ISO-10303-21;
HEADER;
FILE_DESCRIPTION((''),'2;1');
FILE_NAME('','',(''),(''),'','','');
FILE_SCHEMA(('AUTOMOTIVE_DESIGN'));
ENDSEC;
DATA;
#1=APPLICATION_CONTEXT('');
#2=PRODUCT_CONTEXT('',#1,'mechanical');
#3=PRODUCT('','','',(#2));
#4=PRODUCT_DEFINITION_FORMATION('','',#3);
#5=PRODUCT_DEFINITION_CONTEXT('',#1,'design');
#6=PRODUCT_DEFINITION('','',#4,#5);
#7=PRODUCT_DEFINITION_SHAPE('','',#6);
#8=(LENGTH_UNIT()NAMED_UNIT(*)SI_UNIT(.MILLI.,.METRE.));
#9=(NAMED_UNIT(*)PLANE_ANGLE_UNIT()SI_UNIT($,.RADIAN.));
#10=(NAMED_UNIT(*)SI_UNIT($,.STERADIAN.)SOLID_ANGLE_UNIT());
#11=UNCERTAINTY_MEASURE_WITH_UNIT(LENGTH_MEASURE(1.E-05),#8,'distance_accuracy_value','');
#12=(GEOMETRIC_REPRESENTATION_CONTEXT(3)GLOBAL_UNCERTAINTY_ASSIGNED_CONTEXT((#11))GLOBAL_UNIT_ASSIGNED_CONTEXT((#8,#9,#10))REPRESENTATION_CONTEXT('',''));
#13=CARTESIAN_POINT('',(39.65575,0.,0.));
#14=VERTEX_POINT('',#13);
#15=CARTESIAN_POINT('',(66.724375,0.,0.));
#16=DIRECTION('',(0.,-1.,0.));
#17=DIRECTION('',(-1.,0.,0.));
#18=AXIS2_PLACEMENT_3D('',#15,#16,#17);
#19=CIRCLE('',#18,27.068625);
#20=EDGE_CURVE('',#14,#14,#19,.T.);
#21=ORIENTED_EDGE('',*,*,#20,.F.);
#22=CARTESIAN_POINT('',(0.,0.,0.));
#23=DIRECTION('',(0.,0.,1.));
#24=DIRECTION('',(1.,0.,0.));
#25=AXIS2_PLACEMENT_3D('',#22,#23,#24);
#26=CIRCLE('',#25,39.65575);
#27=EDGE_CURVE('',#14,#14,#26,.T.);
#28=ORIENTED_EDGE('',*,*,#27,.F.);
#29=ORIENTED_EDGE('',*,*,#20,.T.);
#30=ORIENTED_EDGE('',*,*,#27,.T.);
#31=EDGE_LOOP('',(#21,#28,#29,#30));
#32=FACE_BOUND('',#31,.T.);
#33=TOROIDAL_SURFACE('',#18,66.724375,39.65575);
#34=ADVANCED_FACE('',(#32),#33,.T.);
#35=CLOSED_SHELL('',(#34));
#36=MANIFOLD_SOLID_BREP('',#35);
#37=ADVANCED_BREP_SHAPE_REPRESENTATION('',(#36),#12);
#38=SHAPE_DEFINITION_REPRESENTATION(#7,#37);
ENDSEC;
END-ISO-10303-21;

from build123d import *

# Parameters (mm, degrees)
F0_R = 39.65575


with BuildPart() as f2:
    # F0 (on Top) → F2 (revolve)
    with BuildSketch(Plane.XY):
        Circle(F0_R)
    revolve(axis=Axis((66.724375, -2.932951, 0), (0, -1, 0)))


solid = f2.part
